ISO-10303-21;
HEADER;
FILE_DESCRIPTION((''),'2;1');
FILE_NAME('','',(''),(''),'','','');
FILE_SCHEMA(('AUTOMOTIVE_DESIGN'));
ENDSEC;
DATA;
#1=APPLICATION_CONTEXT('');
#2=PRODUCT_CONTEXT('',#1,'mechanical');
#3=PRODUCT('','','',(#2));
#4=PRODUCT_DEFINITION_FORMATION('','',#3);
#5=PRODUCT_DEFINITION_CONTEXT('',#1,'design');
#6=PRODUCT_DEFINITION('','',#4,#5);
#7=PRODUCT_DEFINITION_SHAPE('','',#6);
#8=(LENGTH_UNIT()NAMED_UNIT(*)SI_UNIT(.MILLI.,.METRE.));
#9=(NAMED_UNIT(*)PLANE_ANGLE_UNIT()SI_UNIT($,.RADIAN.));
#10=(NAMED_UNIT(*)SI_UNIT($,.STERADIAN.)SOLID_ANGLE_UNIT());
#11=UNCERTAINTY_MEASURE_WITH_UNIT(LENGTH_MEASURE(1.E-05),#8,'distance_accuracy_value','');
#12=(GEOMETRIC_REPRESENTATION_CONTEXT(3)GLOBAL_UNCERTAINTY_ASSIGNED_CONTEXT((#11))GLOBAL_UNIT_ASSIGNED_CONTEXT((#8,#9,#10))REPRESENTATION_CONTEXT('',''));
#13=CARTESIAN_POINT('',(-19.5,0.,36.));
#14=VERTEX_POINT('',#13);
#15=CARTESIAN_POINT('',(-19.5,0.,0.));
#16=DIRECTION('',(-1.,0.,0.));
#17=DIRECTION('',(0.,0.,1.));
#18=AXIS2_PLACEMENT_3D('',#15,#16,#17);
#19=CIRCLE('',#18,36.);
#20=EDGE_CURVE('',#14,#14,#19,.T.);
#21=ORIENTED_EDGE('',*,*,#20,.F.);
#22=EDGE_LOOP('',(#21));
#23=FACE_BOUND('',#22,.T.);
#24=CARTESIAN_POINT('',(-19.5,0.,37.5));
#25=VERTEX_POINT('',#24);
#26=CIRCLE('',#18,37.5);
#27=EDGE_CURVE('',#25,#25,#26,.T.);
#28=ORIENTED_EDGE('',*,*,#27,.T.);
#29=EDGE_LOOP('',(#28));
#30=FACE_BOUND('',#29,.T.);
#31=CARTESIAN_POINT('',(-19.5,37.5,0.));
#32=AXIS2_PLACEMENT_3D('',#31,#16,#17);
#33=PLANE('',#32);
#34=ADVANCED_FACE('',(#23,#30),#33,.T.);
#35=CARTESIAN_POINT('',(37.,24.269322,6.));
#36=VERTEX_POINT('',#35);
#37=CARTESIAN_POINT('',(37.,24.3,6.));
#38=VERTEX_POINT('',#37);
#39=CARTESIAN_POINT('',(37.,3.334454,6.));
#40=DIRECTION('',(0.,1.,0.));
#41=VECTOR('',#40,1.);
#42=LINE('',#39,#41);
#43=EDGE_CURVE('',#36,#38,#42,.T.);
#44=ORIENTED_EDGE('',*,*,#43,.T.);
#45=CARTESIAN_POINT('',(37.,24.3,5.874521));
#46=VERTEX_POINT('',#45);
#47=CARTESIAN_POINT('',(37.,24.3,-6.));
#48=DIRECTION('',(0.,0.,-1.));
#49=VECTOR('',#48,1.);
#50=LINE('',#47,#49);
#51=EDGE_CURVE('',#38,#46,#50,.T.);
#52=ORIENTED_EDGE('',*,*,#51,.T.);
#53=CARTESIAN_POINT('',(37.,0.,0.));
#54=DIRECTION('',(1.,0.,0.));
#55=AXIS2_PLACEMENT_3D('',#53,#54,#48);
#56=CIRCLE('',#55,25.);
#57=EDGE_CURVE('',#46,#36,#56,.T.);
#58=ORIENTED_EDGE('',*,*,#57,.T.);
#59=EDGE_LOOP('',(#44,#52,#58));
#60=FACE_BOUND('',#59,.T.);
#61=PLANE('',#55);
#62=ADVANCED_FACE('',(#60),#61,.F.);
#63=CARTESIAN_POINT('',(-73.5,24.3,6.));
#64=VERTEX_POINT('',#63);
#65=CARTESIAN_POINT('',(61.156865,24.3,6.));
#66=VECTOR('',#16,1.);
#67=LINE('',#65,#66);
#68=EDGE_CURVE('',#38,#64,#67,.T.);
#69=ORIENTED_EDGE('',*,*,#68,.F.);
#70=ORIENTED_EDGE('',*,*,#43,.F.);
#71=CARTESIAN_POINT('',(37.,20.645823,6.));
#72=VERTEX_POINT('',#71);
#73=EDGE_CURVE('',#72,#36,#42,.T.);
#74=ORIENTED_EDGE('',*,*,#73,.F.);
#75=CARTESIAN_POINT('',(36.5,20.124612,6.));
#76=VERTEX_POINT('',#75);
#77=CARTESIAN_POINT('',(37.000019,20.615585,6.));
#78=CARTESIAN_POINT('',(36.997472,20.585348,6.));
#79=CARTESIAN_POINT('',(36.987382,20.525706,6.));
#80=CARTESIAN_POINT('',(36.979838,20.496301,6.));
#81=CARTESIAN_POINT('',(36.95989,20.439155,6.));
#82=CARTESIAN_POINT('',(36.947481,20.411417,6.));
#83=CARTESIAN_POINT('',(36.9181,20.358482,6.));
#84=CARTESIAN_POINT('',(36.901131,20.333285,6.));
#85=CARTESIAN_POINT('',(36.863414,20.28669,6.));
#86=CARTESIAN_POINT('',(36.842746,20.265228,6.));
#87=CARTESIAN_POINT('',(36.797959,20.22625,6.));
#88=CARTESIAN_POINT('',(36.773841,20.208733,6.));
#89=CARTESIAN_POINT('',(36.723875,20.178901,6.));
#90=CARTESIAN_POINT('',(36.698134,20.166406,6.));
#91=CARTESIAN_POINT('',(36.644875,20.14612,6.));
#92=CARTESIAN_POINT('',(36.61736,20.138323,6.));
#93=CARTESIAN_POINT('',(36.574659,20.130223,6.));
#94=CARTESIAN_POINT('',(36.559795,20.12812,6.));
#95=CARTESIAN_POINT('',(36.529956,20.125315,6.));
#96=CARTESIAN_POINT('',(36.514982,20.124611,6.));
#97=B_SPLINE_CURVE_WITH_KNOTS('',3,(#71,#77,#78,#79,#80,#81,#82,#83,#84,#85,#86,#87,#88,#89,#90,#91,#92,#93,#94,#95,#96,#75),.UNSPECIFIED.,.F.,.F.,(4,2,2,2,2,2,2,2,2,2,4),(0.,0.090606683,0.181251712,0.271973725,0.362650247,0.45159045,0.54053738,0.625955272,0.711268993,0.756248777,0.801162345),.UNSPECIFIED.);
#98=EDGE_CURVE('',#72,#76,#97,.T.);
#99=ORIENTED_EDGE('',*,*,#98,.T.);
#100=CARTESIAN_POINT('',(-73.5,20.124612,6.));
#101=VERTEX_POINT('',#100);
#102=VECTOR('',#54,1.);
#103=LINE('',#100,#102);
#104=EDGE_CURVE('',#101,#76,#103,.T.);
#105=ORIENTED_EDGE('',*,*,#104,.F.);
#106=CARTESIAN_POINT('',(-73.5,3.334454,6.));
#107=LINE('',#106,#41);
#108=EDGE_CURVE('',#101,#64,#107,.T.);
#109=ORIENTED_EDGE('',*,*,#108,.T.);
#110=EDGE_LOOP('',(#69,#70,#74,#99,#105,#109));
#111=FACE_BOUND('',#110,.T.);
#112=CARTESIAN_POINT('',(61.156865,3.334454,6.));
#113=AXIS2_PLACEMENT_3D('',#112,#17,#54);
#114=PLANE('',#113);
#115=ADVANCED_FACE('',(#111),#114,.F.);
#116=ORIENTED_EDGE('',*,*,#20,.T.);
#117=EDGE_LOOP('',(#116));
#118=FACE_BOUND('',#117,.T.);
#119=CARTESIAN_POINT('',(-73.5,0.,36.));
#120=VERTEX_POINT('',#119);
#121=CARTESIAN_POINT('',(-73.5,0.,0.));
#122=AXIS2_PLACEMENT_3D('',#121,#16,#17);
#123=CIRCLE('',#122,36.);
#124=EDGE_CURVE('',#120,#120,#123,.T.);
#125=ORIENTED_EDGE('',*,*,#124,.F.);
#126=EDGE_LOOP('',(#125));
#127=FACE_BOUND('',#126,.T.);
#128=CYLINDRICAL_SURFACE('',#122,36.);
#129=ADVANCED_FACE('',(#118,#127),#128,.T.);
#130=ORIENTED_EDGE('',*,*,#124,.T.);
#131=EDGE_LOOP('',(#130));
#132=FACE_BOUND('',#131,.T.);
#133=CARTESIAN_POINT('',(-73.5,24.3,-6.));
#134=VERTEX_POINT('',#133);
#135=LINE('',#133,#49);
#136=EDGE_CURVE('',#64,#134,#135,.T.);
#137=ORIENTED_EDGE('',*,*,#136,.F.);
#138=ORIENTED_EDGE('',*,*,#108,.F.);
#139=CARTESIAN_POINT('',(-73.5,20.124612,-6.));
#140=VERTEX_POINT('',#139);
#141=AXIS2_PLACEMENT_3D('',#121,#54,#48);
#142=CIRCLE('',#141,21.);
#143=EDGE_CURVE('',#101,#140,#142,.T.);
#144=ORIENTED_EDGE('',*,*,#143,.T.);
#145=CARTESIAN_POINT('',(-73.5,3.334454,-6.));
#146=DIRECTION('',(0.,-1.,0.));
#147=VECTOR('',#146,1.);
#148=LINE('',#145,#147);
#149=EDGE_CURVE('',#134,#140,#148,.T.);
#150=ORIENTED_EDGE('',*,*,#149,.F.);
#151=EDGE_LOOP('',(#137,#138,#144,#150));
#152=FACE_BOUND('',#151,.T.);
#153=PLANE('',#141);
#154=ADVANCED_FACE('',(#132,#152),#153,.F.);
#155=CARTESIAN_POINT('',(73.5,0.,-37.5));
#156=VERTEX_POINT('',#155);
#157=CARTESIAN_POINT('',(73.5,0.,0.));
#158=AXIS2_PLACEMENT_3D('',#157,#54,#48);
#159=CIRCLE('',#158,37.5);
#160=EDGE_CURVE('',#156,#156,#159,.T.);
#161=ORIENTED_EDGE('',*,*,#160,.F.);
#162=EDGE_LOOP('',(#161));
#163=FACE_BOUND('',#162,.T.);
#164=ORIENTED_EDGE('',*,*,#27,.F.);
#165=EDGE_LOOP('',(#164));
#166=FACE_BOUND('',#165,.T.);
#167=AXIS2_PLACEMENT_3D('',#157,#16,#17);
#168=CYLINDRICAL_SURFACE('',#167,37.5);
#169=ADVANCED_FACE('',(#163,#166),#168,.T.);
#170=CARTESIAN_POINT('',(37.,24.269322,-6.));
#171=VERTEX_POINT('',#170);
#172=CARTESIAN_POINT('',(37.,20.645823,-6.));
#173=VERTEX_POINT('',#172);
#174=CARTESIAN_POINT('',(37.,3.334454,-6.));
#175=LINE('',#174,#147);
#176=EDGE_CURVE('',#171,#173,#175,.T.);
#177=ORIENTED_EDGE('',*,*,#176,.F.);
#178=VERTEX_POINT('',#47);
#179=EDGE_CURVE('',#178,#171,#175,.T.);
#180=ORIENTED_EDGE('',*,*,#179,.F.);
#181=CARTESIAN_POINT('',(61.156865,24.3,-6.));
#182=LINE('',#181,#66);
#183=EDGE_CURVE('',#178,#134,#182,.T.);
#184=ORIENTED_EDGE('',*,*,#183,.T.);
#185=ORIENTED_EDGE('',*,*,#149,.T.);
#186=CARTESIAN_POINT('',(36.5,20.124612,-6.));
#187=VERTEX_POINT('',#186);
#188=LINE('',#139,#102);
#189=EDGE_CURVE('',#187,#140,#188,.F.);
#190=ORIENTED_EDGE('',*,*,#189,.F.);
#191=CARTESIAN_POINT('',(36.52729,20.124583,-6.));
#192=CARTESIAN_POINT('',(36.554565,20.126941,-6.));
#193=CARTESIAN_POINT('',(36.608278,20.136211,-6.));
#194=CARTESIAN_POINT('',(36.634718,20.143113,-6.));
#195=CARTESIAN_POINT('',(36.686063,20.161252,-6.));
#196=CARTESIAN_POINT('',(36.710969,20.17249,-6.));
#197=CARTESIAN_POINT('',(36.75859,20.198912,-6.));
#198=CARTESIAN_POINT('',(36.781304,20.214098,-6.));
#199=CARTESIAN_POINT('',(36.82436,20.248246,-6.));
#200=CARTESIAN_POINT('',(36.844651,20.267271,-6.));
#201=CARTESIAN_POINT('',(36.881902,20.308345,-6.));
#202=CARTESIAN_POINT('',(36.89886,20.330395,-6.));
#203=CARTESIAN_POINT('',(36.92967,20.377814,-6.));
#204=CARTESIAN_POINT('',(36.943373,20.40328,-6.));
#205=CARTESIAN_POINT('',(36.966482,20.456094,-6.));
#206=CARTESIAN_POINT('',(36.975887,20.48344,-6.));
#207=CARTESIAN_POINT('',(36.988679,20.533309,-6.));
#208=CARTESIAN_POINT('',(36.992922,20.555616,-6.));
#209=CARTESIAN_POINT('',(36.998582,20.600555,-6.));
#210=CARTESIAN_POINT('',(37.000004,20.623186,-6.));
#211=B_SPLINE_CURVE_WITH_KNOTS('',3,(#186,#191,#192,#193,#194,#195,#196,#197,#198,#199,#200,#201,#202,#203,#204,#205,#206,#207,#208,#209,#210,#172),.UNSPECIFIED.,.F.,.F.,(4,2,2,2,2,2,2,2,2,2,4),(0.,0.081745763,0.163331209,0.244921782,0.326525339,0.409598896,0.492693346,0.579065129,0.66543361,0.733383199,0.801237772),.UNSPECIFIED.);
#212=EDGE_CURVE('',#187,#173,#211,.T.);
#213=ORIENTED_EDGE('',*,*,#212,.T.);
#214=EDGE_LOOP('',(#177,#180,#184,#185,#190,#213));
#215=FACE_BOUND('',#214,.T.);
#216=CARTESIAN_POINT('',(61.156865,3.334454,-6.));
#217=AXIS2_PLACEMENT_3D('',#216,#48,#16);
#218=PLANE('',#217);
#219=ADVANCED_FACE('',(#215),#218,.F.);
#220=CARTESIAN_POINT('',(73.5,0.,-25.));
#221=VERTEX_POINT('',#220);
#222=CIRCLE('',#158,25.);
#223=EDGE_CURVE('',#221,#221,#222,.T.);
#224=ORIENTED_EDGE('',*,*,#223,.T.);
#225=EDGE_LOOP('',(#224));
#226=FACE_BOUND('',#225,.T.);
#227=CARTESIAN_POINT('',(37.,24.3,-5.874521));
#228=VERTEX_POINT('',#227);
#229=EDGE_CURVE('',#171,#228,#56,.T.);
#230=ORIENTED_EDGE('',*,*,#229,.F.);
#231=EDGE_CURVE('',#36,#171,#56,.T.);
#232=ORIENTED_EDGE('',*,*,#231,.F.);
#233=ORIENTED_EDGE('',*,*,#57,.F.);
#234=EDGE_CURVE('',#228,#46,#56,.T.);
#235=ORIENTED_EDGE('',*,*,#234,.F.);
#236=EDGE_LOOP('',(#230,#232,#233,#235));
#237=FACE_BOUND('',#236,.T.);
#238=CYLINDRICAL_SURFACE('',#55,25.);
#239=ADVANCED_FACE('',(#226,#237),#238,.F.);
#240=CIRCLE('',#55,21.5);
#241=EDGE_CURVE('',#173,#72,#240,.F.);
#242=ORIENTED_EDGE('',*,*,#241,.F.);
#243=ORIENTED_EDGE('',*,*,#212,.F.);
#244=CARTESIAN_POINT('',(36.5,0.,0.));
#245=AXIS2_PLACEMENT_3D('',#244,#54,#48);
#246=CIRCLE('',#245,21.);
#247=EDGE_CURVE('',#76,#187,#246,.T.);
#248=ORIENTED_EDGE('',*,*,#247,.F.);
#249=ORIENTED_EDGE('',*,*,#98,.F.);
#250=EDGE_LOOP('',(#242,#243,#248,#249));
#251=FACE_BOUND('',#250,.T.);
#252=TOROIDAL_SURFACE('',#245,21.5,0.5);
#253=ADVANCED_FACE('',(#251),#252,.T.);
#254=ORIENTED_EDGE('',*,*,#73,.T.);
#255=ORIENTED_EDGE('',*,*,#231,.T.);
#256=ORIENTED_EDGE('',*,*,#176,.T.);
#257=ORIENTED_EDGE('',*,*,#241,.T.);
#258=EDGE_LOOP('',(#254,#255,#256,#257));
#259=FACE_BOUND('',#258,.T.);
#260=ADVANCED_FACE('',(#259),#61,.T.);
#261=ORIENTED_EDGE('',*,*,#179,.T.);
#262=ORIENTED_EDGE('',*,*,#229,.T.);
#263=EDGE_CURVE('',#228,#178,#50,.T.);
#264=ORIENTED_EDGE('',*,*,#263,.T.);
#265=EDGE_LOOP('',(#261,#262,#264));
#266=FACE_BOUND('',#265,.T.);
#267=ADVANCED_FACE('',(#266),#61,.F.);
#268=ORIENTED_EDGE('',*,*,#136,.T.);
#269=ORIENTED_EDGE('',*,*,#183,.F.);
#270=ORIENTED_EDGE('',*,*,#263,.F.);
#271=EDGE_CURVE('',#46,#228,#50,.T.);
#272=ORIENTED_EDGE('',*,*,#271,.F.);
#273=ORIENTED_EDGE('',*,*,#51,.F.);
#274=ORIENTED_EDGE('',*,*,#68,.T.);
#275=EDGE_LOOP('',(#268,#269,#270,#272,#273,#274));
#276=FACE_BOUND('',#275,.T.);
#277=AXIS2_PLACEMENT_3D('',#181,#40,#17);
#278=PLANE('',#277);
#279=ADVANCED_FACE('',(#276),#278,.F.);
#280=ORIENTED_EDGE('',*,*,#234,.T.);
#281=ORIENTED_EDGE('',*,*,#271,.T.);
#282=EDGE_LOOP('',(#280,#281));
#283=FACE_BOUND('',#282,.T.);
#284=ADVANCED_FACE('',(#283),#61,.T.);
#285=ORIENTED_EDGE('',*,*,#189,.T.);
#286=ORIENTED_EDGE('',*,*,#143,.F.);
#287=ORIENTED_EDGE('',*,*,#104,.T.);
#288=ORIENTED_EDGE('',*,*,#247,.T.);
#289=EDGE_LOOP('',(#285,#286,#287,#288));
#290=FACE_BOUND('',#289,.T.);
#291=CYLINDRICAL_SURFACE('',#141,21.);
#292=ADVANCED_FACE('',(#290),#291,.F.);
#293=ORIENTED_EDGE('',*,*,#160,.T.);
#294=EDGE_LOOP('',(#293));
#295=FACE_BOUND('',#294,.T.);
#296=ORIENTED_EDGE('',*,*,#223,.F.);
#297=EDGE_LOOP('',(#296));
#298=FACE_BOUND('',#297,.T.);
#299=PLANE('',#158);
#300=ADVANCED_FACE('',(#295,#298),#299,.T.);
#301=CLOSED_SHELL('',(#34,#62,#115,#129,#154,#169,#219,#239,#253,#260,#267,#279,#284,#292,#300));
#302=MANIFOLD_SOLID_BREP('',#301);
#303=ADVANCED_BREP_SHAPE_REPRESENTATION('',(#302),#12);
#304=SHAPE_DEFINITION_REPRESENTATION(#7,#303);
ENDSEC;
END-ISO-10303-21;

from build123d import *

# Parameters (mm, degrees)
SKETCH1_R           = 37.5
BOSS_EXTRUDE1_DEPTH = 73.5
SKETCH2_R           = 21
CUT_EXTRUDE1_DEPTH  = 157.273798188
SKETCH3_R           = 25
CUT_EXTRUDE2_DEPTH  = 36.5
SKETCH4_W           = 12
SKETCH4_H           = 20.96554604
CUT_EXTRUDE3_DEPTH  = 110.5
FILLET1_R           = 0.5
SKETCH5_W           = 54
SKETCH5_H           = 1.5


with BuildPart() as part:
    # Sketch1 → Boss-Extrude1 (new, symmetric)
    with BuildSketch(Plane(origin=(0, 0, 0), x_dir=(0, 0, -1), z_dir=(1, 0, 0))):
        Circle(SKETCH1_R)
    extrude(amount=BOSS_EXTRUDE1_DEPTH, both=True)

    # Sketch2 → Cut-Extrude1 (cut, through all)
    with BuildSketch(Plane(origin=(73.5, 0, 0), x_dir=(0, 0, -1), z_dir=(1, 0, 0))):
        Circle(SKETCH2_R)
    extrude(amount=-CUT_EXTRUDE1_DEPTH, mode=Mode.SUBTRACT)

    # Sketch3 → Cut-Extrude2 (cut)
    with BuildSketch(Plane(origin=(73.5, 0, 0), x_dir=(0, 0, -1), z_dir=(1, 0, 0))):
        Circle(SKETCH3_R)
    extrude(amount=-CUT_EXTRUDE2_DEPTH, mode=Mode.SUBTRACT)

    # Sketch4 → Cut-Extrude3 (cut)
    with BuildSketch(Plane.ZY.offset(73.5)):
        with Locations((0, 13.81722698)):
            Rectangle(SKETCH4_W, SKETCH4_H)
    extrude(amount=-CUT_EXTRUDE3_DEPTH, mode=Mode.SUBTRACT)

    # Fillet1
    fillet1_edges = [part.edges().sort_by_distance(p)[0] for p in [
        (37, -21, 0),
    ]]
    fillet(fillet1_edges, radius=FILLET1_R)

    # Sketch5 → Cut-Revolve1 (revolve, cut)
    with BuildSketch(Plane.XY, mode=Mode.PRIVATE) as cut_revolve1_sk:
        with Locations((-46.5, 36.75)):
            Rectangle(SKETCH5_W, SKETCH5_H)
    revolve(cut_revolve1_sk.sketch.rotate(Axis((-73.5, 0, 0), (1, 0, 0)), 90), axis=Axis((-73.5, 0, 0), (1, 0, 0)), mode=Mode.SUBTRACT)


solid = part.part
